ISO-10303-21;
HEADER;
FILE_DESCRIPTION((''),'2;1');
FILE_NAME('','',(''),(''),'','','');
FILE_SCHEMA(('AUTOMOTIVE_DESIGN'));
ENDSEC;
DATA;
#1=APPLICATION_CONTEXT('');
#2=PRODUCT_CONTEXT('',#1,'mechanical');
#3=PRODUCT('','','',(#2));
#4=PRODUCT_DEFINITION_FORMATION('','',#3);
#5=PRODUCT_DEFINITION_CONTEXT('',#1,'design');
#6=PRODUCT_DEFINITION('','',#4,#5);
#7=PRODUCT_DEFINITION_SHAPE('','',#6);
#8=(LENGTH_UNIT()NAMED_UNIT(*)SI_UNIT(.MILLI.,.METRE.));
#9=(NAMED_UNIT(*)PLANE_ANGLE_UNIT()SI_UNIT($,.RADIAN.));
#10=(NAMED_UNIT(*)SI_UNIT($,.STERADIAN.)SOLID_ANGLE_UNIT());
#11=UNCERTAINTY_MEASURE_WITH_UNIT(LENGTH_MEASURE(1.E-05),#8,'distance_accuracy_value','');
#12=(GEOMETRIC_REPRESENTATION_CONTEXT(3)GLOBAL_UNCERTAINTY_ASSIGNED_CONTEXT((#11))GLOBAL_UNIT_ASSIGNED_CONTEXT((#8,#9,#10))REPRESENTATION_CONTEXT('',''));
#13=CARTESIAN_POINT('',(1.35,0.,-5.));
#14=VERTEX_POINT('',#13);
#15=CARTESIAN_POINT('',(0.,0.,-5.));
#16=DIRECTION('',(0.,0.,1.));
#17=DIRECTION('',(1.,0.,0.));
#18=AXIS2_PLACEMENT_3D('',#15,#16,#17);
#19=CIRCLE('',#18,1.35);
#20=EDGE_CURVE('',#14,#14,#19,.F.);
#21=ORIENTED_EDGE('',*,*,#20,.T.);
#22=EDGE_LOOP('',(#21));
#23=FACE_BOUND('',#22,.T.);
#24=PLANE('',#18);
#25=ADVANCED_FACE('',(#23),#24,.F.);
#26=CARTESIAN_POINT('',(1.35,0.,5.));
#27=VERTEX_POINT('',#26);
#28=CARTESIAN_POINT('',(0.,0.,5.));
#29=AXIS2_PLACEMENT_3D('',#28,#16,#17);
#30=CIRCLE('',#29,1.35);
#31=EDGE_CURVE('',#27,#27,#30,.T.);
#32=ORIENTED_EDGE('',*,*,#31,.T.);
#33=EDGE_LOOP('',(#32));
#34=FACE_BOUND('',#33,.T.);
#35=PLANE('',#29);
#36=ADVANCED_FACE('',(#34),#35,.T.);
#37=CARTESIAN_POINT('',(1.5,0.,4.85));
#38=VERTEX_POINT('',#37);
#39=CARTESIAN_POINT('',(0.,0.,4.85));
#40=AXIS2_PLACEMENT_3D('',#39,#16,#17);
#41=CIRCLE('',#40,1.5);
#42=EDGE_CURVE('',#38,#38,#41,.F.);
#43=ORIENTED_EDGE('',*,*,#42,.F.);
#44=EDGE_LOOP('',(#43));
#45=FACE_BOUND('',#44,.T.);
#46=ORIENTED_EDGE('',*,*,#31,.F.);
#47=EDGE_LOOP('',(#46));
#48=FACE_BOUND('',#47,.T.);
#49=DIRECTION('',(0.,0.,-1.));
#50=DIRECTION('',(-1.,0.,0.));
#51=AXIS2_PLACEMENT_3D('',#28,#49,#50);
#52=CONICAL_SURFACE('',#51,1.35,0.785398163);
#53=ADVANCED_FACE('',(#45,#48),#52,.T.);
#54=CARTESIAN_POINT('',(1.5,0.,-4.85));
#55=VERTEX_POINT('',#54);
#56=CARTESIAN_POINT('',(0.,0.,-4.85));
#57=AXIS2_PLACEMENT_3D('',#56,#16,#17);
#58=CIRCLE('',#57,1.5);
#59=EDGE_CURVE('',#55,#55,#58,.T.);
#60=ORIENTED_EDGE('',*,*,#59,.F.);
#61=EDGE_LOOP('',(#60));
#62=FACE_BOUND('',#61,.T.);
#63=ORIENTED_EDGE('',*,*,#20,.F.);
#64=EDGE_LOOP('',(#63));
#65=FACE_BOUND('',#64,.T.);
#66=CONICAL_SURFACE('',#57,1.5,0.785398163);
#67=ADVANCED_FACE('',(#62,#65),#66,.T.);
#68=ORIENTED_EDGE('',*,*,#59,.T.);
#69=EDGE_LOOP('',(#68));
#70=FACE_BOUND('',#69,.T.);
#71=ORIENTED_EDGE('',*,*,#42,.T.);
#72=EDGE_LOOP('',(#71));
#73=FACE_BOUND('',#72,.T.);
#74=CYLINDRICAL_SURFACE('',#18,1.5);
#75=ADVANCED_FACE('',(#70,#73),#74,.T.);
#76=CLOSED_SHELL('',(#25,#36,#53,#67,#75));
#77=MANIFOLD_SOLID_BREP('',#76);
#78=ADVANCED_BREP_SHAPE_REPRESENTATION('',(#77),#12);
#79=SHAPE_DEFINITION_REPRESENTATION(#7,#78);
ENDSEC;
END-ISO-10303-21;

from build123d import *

# Parameters (mm, degrees)
ESTRUSIONE_ESTRUSIONE1_DEPTH      = 5
ESTRUSIONE_ESTRUSIONE1_DEPTH_BACK = 5
SCHIZZO1_R                        = 1.5
SMUSSO1_SIZE                      = 0.15


with BuildPart() as part:
    # Schizzo1 → Estrusione-Estrusione1 (new, two sides: drawn at the far end of the back side and taken through both)
    with BuildSketch(Plane.XY.offset(-ESTRUSIONE_ESTRUSIONE1_DEPTH_BACK)):
        Circle(SCHIZZO1_R)
    extrude(amount=ESTRUSIONE_ESTRUSIONE1_DEPTH + ESTRUSIONE_ESTRUSIONE1_DEPTH_BACK)

    # Smusso1
    smusso1_edges = [part.edges().sort_by_distance(p)[0] for p in [
        (-1.5, 0, 5),
        (-1.5, 0, -5),
    ]]
    chamfer(smusso1_edges, length=SMUSSO1_SIZE)


solid = part.part
